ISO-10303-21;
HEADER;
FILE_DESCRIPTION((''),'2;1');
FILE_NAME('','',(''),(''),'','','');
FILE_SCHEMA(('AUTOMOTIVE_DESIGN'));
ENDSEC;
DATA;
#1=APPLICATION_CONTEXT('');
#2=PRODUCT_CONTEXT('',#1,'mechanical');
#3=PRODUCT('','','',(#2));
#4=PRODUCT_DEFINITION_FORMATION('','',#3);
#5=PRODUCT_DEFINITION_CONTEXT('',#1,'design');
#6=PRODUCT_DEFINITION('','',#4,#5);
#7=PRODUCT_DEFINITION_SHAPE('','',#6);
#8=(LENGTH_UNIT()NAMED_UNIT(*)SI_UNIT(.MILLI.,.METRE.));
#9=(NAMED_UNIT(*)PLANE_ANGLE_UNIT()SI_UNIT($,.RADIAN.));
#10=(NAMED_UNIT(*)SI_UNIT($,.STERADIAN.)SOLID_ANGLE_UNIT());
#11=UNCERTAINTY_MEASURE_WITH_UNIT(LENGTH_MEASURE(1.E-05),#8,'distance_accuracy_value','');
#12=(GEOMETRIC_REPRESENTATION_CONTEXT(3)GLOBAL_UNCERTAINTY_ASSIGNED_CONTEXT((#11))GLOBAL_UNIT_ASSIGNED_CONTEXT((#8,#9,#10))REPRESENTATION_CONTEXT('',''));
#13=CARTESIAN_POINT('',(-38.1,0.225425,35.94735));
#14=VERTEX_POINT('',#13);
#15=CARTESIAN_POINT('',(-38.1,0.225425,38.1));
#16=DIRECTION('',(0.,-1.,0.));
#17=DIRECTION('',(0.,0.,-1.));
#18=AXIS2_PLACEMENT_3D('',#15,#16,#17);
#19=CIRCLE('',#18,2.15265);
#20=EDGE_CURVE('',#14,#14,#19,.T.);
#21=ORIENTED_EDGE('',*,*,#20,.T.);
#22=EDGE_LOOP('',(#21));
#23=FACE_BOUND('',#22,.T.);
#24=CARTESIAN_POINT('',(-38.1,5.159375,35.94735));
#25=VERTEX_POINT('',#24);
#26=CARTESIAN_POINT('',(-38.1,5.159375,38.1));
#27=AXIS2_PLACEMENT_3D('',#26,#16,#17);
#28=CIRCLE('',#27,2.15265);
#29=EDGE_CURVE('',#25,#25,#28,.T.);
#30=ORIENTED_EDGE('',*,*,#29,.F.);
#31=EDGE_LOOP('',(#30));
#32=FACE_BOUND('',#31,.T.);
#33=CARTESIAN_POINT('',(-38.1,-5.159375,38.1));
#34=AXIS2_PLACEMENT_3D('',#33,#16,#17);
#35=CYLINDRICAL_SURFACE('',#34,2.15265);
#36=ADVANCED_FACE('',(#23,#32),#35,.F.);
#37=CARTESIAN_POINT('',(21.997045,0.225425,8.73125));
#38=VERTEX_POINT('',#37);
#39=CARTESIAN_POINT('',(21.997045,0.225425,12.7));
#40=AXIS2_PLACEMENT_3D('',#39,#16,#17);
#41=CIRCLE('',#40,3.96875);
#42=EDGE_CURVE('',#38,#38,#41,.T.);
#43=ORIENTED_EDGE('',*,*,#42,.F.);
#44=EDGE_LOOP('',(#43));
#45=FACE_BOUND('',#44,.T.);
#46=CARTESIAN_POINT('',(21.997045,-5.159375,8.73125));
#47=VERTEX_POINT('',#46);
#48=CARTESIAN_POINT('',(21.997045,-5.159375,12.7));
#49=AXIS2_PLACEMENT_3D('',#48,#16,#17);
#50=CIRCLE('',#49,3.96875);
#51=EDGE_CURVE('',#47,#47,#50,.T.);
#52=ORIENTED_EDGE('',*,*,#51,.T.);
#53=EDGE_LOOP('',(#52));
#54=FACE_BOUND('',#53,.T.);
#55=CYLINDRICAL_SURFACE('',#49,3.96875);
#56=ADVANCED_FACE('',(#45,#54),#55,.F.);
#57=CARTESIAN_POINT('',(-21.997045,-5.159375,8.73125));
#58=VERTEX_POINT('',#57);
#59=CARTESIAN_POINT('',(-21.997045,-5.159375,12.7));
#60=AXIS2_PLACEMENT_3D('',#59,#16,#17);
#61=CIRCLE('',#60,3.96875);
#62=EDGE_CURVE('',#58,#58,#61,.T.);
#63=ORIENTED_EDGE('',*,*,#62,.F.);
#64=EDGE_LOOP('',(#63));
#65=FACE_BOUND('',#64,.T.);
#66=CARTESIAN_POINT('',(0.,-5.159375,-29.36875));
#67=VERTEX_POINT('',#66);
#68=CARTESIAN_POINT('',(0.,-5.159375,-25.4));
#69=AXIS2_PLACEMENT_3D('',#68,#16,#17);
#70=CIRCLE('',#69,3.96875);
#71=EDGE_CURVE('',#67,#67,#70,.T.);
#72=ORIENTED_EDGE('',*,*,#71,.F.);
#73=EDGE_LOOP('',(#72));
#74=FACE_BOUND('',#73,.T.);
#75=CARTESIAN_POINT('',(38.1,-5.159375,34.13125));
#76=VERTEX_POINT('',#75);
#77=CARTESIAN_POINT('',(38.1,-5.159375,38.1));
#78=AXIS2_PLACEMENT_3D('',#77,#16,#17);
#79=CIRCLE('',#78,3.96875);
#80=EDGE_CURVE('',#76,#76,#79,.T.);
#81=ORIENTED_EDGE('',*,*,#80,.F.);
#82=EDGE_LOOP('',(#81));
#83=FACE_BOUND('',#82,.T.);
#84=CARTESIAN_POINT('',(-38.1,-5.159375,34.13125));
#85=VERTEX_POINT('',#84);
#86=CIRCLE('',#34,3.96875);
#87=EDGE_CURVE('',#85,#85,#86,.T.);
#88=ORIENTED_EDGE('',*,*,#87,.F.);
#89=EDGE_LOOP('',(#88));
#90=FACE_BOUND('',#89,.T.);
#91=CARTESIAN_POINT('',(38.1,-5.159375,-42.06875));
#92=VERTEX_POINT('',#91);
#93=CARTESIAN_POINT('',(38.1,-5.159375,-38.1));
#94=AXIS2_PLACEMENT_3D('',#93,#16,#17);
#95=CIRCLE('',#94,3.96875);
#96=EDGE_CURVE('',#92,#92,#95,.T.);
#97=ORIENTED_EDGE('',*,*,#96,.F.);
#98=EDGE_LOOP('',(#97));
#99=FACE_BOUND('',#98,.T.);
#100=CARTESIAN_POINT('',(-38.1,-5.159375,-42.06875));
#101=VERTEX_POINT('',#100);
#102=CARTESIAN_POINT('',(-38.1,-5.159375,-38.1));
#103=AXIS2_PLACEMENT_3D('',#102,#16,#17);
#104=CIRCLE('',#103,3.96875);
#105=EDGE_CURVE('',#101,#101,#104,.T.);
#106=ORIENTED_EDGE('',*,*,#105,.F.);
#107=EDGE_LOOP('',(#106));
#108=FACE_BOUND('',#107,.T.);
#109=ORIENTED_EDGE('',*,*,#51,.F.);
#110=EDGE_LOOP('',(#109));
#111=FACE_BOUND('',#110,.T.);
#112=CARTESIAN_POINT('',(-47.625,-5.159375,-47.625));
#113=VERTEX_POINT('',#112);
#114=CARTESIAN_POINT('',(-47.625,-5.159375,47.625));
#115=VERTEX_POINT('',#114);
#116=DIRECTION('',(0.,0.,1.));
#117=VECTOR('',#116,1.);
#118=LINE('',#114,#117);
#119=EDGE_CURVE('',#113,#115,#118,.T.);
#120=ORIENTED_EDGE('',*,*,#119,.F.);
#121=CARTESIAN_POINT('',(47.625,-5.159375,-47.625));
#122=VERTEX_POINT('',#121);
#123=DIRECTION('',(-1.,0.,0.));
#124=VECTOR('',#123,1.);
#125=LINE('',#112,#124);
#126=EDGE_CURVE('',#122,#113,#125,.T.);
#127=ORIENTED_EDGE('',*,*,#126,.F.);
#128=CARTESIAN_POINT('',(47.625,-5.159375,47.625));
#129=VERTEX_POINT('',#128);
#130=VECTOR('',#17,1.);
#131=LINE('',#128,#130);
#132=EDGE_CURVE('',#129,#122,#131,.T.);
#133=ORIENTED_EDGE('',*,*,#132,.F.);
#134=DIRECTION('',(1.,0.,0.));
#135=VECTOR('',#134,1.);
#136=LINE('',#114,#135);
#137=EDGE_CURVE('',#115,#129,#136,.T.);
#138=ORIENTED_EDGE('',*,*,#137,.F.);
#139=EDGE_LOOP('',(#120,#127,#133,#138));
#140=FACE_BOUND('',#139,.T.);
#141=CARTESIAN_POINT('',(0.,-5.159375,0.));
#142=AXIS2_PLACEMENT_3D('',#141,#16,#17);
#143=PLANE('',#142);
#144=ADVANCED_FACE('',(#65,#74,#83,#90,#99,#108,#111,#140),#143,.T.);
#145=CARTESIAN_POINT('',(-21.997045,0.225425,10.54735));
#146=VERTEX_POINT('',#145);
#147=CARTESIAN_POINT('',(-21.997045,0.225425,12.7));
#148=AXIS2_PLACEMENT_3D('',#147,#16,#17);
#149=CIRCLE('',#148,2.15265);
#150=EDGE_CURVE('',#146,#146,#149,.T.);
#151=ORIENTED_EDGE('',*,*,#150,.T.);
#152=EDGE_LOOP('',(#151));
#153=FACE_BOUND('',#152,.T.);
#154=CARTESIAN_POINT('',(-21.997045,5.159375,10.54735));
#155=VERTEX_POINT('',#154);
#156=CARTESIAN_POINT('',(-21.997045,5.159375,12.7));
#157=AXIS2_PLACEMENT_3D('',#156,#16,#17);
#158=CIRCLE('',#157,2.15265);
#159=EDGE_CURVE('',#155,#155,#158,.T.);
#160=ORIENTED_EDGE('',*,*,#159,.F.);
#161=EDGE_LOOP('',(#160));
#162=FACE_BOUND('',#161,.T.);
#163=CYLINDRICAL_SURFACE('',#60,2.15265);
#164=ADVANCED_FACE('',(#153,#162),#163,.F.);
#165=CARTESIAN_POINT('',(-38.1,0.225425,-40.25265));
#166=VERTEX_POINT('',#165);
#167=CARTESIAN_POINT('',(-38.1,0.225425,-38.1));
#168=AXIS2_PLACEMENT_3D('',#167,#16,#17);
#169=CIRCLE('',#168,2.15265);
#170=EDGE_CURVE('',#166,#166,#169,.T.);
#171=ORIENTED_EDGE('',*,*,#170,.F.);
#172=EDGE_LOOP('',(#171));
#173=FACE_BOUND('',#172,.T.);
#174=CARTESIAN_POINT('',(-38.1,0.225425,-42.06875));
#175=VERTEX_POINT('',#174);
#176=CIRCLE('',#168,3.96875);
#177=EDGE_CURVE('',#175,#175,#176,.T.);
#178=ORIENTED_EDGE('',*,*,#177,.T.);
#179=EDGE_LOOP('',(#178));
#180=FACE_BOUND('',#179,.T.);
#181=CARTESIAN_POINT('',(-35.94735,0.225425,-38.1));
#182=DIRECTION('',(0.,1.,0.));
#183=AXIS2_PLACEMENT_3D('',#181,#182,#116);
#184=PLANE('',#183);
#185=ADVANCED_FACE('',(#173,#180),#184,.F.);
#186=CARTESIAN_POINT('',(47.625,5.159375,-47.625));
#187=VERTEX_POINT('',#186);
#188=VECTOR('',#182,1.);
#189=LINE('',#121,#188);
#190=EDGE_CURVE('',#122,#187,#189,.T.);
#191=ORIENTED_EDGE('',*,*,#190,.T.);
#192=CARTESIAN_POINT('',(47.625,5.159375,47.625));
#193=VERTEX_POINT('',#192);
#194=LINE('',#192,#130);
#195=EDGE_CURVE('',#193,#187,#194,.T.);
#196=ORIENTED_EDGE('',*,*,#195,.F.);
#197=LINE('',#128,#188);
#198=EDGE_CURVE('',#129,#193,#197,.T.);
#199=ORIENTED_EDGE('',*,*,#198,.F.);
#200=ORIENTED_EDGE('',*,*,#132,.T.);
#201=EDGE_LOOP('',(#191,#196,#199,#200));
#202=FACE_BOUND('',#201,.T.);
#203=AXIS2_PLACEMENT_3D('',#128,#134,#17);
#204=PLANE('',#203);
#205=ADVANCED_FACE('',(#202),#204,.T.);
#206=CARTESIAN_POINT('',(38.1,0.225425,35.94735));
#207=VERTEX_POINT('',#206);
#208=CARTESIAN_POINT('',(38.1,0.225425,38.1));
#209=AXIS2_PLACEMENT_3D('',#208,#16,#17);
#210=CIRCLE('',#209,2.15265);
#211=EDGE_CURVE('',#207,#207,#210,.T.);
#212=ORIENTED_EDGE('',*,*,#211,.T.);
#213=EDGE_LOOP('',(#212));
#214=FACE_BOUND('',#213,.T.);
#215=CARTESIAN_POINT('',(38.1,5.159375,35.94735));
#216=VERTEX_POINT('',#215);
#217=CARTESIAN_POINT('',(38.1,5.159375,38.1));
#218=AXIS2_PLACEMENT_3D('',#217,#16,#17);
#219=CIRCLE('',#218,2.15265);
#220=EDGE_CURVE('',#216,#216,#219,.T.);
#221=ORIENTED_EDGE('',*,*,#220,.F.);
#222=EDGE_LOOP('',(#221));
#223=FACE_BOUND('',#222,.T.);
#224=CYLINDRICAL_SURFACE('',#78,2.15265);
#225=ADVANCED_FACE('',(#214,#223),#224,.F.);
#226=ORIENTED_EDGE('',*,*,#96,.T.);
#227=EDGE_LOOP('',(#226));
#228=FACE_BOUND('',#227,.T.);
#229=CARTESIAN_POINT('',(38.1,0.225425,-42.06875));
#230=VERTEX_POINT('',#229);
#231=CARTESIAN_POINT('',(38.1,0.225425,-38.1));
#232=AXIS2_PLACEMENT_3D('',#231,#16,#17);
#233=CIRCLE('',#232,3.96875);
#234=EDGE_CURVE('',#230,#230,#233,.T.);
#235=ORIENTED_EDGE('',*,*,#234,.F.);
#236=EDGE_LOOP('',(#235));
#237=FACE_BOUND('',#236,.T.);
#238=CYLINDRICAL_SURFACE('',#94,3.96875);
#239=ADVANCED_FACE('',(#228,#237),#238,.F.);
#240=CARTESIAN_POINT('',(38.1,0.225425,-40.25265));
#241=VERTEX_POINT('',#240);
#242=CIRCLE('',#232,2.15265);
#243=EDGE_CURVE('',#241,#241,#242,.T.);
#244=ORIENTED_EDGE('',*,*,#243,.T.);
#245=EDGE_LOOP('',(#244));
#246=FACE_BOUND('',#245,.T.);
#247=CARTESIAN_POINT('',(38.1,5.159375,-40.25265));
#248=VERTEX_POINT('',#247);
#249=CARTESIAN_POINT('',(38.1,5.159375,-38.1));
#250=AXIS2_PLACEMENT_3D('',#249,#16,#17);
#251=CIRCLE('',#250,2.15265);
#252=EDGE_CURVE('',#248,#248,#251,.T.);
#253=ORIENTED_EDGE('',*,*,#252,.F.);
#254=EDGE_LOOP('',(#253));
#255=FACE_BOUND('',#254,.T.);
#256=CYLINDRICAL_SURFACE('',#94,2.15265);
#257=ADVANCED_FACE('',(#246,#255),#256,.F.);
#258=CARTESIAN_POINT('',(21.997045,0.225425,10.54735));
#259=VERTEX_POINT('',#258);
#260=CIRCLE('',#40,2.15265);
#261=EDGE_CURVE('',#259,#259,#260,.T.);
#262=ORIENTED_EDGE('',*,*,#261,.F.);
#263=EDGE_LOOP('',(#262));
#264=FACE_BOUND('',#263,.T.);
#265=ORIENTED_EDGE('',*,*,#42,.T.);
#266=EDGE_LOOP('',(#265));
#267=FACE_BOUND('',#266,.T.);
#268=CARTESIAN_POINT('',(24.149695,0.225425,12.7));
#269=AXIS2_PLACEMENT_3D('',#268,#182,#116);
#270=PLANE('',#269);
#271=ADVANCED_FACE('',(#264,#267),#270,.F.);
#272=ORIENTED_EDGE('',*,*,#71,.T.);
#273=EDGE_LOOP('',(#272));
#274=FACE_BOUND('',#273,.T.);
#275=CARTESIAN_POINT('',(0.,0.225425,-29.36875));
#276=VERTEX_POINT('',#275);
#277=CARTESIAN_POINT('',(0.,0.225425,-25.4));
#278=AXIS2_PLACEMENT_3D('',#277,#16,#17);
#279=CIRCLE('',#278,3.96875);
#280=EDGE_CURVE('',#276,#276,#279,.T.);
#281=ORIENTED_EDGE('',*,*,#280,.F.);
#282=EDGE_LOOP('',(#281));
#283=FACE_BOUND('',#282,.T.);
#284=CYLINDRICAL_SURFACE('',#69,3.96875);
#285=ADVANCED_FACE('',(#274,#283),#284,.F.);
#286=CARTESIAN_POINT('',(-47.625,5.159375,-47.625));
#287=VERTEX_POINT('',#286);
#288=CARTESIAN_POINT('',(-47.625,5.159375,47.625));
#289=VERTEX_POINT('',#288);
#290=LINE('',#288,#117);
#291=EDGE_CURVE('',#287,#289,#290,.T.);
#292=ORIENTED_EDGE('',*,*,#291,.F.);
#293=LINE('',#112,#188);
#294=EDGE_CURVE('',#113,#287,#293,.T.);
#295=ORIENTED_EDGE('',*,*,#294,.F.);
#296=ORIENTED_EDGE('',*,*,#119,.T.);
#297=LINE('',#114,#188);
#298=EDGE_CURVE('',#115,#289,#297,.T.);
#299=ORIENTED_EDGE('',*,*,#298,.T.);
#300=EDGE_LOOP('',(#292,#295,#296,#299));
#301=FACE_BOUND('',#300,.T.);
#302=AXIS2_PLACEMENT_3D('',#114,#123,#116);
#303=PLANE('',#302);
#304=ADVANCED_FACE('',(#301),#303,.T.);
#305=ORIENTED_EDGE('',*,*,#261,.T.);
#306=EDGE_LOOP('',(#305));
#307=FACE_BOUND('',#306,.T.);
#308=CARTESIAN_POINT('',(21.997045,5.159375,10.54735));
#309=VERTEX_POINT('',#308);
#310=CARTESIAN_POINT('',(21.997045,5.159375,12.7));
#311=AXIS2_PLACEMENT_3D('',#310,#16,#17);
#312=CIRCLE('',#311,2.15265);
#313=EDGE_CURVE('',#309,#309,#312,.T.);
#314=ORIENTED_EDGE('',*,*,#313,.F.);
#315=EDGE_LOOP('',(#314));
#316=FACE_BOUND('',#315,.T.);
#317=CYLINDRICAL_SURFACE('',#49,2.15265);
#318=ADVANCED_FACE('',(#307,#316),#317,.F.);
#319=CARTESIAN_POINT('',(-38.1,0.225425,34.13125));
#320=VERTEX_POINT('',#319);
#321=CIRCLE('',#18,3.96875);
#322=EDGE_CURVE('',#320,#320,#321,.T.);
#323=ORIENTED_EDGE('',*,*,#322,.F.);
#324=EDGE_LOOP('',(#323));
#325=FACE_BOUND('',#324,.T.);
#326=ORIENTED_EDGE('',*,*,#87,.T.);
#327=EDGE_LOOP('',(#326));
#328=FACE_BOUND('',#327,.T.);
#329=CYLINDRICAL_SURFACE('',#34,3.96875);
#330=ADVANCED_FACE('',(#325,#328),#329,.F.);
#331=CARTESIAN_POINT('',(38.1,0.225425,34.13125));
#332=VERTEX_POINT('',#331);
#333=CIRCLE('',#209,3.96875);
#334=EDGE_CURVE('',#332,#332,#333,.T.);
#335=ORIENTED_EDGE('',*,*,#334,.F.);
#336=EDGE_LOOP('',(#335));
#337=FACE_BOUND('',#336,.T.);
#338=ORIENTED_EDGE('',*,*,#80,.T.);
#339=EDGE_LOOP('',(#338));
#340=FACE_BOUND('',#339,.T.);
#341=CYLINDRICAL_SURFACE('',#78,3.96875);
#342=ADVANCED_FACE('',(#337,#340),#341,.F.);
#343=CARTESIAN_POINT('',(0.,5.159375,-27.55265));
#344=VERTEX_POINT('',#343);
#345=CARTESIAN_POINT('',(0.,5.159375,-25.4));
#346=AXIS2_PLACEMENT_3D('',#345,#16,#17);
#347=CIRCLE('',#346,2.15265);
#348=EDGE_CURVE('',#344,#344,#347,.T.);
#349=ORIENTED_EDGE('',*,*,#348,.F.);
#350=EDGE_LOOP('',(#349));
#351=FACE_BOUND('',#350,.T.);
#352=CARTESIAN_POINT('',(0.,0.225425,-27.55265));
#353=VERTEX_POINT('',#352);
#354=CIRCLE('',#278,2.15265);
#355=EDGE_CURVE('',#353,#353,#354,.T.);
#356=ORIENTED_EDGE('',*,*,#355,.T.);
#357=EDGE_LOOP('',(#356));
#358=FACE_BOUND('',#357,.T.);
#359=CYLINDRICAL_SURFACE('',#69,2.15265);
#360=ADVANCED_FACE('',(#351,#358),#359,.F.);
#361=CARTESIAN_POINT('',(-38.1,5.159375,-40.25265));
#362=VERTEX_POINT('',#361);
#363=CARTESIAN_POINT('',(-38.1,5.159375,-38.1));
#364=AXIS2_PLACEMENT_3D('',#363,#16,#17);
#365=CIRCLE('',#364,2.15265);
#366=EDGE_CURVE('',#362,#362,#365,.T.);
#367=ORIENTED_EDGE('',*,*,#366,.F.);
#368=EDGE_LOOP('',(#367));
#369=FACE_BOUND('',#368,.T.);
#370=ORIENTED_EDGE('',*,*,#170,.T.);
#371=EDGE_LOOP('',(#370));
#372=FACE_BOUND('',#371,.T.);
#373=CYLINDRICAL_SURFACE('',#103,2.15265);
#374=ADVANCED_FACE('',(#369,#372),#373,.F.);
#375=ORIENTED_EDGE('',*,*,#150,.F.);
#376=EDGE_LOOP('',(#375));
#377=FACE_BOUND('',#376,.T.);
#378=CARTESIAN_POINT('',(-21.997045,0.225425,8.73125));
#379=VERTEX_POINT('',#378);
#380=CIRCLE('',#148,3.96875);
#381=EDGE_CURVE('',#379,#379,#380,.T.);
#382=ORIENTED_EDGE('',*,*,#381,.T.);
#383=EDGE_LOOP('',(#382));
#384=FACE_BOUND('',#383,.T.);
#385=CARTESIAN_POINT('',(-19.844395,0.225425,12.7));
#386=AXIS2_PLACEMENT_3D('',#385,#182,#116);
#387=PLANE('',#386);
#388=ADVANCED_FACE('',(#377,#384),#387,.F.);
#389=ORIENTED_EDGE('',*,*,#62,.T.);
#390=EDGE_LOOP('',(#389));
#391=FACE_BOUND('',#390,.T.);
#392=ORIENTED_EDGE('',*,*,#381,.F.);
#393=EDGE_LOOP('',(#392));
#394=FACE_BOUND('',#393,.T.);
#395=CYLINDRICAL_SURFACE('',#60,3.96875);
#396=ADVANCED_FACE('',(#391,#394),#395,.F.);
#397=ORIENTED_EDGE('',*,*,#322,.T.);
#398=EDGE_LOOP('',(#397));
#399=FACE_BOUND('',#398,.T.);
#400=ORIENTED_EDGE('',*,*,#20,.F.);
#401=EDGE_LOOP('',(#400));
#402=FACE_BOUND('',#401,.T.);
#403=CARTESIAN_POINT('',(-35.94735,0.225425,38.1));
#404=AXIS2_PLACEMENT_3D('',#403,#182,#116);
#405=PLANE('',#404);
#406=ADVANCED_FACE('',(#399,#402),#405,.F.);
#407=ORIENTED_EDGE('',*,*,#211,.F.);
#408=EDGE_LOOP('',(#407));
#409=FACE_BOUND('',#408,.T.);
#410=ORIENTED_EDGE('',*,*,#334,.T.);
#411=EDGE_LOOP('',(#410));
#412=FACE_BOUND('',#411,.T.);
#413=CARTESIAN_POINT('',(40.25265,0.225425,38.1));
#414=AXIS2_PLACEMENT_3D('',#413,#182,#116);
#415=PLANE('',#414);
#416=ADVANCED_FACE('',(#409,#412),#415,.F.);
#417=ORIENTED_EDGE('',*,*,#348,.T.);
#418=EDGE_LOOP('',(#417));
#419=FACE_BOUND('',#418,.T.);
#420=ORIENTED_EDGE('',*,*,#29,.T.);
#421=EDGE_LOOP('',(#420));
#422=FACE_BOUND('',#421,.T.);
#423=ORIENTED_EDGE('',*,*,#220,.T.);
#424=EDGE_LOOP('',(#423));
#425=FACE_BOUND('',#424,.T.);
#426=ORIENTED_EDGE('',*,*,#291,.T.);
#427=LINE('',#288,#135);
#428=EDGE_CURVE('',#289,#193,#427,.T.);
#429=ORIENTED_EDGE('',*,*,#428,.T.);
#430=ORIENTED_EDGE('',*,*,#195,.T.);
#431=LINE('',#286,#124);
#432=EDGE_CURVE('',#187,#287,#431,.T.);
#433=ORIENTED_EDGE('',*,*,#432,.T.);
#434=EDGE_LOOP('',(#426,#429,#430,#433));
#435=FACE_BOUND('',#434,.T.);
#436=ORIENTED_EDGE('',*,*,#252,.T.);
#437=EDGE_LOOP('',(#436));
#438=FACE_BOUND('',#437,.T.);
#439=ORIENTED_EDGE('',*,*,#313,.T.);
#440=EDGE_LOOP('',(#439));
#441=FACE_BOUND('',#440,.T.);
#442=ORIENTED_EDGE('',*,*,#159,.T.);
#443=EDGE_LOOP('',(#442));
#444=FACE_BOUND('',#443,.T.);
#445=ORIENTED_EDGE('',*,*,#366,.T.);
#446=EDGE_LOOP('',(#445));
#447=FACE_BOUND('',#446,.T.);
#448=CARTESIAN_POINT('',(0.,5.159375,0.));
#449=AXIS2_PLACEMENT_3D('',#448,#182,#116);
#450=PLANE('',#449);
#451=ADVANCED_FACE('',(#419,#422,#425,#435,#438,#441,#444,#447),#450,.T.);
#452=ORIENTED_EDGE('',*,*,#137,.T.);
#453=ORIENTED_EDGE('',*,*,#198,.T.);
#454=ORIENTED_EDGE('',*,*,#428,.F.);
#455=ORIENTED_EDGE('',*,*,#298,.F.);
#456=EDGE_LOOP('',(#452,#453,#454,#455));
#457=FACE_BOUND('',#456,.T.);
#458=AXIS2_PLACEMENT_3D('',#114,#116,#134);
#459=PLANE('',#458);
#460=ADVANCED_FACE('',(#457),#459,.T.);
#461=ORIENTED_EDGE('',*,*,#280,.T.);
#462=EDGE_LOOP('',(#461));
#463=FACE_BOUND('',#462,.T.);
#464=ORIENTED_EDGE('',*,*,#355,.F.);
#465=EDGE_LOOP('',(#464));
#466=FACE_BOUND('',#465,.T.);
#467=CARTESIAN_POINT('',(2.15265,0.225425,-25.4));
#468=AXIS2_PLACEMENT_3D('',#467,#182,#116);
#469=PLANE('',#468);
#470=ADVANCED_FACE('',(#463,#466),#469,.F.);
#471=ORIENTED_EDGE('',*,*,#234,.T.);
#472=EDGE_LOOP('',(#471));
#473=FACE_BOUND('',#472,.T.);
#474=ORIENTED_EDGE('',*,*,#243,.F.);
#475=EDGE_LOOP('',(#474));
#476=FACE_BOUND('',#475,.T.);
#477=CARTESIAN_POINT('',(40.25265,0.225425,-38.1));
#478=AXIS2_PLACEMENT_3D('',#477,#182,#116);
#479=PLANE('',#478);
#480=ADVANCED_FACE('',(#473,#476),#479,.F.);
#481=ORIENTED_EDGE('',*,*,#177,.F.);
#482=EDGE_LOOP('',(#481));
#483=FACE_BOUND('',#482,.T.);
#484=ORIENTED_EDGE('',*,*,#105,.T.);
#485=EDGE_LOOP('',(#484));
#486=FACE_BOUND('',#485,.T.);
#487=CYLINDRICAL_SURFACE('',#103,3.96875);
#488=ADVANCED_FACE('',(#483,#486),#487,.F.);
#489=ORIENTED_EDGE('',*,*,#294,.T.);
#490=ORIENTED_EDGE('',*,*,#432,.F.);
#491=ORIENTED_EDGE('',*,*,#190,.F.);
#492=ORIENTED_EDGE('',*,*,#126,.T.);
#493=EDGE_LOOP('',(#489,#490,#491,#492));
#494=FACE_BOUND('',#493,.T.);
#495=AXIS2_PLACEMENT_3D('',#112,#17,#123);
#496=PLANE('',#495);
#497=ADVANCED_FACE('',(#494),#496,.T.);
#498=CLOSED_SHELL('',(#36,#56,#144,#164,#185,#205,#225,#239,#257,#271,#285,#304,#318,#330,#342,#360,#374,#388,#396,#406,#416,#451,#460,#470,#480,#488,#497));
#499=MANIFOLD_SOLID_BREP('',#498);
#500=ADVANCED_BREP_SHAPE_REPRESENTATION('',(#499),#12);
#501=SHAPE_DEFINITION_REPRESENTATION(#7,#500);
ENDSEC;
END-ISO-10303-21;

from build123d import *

# Parameters (mm, degrees)
SKETCH3_W                           = 101.6
SKETCH3_H                           = 11.1125
BOSS_EXTRUDE1_DEPTH                 = 50.8
BASEBORDERRADIUSSKETCH_OUTSIDE_W    = 132.41
BASEBORDERRADIUSSKETCH_OUTSIDE_H    = 132.41
BASEBORDERRADIUSSKETCH_OUTSIDE_W_2  = 95.25
BASEBORDERRADIUSSKETCH_OUTSIDE_H_2  = 95.25
BASEBORDERRADIUSCUT_EXTRUDE_DEPTH   = 73.57931249
BUMPER_6_32_TAPPED_HOLE_D           = 4.3053
BUMPER_6_32_TAPPED_HOLE_CBORE_D     = 7.9375
BUMPER_6_32_TAPPED_HOLE_CBORE_DEPTH = 5.3848
BUMPERTHREADLPATTERN_COUNT          = 2
BUMPERTHREADLPATTERN_PITCH          = 76.2
BUMPERTHREADLPATTERN_COUNT_DIR2     = 2
BUMPERTHREADLPATTERN_PITCH_DIR2     = 76.2


with BuildPart() as part:
    # Sketch3 → Boss-Extrude1 (new, symmetric)
    with BuildSketch(Plane.XY):
        Rectangle(SKETCH3_W, SKETCH3_H)
    extrude(amount=BOSS_EXTRUDE1_DEPTH, both=True)

    # FacingTopSurfaceCut
    split(bisect_by=Plane(origin=(0, 5.159375, 0), x_dir=(1, 0, 0), z_dir=(0, 1, 0)), keep=Keep.BOTTOM)

    # FacingBottomSurfaceCut
    split(bisect_by=Plane(origin=(0, -5.159375, 0), x_dir=(-1, 0, 0), z_dir=(0, -1, 0)), keep=Keep.BOTTOM)

    # BaseBorderRadiusSketch outside → BaseBorderRadiusCut-Extrude (cut, through all)
    with BuildSketch(Plane(origin=(0, 5.159375, 0), x_dir=(1, 0, 0), z_dir=(0, 1, 0))):
        Rectangle(BASEBORDERRADIUSSKETCH_OUTSIDE_W, BASEBORDERRADIUSSKETCH_OUTSIDE_H)
        Rectangle(BASEBORDERRADIUSSKETCH_OUTSIDE_W_2, BASEBORDERRADIUSSKETCH_OUTSIDE_H_2, mode=Mode.SUBTRACT)
    extrude(amount=-BASEBORDERRADIUSCUT_EXTRUDE_DEPTH, mode=Mode.SUBTRACT)

    # Bumper#6-32 Tapped Hole (through all)
    with Locations(Plane(origin=(-38.1, -5.159375, 38.1), x_dir=(0, 0, -1), z_dir=(0, -1, 0))):
        with Locations((0, 0), (25.4, 16.102954744), (25.4, 60.097045256), (63.5, 38.1)):
            bumper_6_32_tapped_hole = CounterBoreHole(BUMPER_6_32_TAPPED_HOLE_D / 2, BUMPER_6_32_TAPPED_HOLE_CBORE_D / 2, BUMPER_6_32_TAPPED_HOLE_CBORE_DEPTH)

    # BumperThreadLPattern: Bumper_6-32 Tapped Hole 2 × 2
    with Locations(*[(j * BUMPERTHREADLPATTERN_PITCH_DIR2, 0, -i * BUMPERTHREADLPATTERN_PITCH) for i in range(BUMPERTHREADLPATTERN_COUNT) for j in range(BUMPERTHREADLPATTERN_COUNT_DIR2) if (i, j) != (0, 0)]):
        add(bumper_6_32_tapped_hole, mode=Mode.SUBTRACT)


solid = part.part
